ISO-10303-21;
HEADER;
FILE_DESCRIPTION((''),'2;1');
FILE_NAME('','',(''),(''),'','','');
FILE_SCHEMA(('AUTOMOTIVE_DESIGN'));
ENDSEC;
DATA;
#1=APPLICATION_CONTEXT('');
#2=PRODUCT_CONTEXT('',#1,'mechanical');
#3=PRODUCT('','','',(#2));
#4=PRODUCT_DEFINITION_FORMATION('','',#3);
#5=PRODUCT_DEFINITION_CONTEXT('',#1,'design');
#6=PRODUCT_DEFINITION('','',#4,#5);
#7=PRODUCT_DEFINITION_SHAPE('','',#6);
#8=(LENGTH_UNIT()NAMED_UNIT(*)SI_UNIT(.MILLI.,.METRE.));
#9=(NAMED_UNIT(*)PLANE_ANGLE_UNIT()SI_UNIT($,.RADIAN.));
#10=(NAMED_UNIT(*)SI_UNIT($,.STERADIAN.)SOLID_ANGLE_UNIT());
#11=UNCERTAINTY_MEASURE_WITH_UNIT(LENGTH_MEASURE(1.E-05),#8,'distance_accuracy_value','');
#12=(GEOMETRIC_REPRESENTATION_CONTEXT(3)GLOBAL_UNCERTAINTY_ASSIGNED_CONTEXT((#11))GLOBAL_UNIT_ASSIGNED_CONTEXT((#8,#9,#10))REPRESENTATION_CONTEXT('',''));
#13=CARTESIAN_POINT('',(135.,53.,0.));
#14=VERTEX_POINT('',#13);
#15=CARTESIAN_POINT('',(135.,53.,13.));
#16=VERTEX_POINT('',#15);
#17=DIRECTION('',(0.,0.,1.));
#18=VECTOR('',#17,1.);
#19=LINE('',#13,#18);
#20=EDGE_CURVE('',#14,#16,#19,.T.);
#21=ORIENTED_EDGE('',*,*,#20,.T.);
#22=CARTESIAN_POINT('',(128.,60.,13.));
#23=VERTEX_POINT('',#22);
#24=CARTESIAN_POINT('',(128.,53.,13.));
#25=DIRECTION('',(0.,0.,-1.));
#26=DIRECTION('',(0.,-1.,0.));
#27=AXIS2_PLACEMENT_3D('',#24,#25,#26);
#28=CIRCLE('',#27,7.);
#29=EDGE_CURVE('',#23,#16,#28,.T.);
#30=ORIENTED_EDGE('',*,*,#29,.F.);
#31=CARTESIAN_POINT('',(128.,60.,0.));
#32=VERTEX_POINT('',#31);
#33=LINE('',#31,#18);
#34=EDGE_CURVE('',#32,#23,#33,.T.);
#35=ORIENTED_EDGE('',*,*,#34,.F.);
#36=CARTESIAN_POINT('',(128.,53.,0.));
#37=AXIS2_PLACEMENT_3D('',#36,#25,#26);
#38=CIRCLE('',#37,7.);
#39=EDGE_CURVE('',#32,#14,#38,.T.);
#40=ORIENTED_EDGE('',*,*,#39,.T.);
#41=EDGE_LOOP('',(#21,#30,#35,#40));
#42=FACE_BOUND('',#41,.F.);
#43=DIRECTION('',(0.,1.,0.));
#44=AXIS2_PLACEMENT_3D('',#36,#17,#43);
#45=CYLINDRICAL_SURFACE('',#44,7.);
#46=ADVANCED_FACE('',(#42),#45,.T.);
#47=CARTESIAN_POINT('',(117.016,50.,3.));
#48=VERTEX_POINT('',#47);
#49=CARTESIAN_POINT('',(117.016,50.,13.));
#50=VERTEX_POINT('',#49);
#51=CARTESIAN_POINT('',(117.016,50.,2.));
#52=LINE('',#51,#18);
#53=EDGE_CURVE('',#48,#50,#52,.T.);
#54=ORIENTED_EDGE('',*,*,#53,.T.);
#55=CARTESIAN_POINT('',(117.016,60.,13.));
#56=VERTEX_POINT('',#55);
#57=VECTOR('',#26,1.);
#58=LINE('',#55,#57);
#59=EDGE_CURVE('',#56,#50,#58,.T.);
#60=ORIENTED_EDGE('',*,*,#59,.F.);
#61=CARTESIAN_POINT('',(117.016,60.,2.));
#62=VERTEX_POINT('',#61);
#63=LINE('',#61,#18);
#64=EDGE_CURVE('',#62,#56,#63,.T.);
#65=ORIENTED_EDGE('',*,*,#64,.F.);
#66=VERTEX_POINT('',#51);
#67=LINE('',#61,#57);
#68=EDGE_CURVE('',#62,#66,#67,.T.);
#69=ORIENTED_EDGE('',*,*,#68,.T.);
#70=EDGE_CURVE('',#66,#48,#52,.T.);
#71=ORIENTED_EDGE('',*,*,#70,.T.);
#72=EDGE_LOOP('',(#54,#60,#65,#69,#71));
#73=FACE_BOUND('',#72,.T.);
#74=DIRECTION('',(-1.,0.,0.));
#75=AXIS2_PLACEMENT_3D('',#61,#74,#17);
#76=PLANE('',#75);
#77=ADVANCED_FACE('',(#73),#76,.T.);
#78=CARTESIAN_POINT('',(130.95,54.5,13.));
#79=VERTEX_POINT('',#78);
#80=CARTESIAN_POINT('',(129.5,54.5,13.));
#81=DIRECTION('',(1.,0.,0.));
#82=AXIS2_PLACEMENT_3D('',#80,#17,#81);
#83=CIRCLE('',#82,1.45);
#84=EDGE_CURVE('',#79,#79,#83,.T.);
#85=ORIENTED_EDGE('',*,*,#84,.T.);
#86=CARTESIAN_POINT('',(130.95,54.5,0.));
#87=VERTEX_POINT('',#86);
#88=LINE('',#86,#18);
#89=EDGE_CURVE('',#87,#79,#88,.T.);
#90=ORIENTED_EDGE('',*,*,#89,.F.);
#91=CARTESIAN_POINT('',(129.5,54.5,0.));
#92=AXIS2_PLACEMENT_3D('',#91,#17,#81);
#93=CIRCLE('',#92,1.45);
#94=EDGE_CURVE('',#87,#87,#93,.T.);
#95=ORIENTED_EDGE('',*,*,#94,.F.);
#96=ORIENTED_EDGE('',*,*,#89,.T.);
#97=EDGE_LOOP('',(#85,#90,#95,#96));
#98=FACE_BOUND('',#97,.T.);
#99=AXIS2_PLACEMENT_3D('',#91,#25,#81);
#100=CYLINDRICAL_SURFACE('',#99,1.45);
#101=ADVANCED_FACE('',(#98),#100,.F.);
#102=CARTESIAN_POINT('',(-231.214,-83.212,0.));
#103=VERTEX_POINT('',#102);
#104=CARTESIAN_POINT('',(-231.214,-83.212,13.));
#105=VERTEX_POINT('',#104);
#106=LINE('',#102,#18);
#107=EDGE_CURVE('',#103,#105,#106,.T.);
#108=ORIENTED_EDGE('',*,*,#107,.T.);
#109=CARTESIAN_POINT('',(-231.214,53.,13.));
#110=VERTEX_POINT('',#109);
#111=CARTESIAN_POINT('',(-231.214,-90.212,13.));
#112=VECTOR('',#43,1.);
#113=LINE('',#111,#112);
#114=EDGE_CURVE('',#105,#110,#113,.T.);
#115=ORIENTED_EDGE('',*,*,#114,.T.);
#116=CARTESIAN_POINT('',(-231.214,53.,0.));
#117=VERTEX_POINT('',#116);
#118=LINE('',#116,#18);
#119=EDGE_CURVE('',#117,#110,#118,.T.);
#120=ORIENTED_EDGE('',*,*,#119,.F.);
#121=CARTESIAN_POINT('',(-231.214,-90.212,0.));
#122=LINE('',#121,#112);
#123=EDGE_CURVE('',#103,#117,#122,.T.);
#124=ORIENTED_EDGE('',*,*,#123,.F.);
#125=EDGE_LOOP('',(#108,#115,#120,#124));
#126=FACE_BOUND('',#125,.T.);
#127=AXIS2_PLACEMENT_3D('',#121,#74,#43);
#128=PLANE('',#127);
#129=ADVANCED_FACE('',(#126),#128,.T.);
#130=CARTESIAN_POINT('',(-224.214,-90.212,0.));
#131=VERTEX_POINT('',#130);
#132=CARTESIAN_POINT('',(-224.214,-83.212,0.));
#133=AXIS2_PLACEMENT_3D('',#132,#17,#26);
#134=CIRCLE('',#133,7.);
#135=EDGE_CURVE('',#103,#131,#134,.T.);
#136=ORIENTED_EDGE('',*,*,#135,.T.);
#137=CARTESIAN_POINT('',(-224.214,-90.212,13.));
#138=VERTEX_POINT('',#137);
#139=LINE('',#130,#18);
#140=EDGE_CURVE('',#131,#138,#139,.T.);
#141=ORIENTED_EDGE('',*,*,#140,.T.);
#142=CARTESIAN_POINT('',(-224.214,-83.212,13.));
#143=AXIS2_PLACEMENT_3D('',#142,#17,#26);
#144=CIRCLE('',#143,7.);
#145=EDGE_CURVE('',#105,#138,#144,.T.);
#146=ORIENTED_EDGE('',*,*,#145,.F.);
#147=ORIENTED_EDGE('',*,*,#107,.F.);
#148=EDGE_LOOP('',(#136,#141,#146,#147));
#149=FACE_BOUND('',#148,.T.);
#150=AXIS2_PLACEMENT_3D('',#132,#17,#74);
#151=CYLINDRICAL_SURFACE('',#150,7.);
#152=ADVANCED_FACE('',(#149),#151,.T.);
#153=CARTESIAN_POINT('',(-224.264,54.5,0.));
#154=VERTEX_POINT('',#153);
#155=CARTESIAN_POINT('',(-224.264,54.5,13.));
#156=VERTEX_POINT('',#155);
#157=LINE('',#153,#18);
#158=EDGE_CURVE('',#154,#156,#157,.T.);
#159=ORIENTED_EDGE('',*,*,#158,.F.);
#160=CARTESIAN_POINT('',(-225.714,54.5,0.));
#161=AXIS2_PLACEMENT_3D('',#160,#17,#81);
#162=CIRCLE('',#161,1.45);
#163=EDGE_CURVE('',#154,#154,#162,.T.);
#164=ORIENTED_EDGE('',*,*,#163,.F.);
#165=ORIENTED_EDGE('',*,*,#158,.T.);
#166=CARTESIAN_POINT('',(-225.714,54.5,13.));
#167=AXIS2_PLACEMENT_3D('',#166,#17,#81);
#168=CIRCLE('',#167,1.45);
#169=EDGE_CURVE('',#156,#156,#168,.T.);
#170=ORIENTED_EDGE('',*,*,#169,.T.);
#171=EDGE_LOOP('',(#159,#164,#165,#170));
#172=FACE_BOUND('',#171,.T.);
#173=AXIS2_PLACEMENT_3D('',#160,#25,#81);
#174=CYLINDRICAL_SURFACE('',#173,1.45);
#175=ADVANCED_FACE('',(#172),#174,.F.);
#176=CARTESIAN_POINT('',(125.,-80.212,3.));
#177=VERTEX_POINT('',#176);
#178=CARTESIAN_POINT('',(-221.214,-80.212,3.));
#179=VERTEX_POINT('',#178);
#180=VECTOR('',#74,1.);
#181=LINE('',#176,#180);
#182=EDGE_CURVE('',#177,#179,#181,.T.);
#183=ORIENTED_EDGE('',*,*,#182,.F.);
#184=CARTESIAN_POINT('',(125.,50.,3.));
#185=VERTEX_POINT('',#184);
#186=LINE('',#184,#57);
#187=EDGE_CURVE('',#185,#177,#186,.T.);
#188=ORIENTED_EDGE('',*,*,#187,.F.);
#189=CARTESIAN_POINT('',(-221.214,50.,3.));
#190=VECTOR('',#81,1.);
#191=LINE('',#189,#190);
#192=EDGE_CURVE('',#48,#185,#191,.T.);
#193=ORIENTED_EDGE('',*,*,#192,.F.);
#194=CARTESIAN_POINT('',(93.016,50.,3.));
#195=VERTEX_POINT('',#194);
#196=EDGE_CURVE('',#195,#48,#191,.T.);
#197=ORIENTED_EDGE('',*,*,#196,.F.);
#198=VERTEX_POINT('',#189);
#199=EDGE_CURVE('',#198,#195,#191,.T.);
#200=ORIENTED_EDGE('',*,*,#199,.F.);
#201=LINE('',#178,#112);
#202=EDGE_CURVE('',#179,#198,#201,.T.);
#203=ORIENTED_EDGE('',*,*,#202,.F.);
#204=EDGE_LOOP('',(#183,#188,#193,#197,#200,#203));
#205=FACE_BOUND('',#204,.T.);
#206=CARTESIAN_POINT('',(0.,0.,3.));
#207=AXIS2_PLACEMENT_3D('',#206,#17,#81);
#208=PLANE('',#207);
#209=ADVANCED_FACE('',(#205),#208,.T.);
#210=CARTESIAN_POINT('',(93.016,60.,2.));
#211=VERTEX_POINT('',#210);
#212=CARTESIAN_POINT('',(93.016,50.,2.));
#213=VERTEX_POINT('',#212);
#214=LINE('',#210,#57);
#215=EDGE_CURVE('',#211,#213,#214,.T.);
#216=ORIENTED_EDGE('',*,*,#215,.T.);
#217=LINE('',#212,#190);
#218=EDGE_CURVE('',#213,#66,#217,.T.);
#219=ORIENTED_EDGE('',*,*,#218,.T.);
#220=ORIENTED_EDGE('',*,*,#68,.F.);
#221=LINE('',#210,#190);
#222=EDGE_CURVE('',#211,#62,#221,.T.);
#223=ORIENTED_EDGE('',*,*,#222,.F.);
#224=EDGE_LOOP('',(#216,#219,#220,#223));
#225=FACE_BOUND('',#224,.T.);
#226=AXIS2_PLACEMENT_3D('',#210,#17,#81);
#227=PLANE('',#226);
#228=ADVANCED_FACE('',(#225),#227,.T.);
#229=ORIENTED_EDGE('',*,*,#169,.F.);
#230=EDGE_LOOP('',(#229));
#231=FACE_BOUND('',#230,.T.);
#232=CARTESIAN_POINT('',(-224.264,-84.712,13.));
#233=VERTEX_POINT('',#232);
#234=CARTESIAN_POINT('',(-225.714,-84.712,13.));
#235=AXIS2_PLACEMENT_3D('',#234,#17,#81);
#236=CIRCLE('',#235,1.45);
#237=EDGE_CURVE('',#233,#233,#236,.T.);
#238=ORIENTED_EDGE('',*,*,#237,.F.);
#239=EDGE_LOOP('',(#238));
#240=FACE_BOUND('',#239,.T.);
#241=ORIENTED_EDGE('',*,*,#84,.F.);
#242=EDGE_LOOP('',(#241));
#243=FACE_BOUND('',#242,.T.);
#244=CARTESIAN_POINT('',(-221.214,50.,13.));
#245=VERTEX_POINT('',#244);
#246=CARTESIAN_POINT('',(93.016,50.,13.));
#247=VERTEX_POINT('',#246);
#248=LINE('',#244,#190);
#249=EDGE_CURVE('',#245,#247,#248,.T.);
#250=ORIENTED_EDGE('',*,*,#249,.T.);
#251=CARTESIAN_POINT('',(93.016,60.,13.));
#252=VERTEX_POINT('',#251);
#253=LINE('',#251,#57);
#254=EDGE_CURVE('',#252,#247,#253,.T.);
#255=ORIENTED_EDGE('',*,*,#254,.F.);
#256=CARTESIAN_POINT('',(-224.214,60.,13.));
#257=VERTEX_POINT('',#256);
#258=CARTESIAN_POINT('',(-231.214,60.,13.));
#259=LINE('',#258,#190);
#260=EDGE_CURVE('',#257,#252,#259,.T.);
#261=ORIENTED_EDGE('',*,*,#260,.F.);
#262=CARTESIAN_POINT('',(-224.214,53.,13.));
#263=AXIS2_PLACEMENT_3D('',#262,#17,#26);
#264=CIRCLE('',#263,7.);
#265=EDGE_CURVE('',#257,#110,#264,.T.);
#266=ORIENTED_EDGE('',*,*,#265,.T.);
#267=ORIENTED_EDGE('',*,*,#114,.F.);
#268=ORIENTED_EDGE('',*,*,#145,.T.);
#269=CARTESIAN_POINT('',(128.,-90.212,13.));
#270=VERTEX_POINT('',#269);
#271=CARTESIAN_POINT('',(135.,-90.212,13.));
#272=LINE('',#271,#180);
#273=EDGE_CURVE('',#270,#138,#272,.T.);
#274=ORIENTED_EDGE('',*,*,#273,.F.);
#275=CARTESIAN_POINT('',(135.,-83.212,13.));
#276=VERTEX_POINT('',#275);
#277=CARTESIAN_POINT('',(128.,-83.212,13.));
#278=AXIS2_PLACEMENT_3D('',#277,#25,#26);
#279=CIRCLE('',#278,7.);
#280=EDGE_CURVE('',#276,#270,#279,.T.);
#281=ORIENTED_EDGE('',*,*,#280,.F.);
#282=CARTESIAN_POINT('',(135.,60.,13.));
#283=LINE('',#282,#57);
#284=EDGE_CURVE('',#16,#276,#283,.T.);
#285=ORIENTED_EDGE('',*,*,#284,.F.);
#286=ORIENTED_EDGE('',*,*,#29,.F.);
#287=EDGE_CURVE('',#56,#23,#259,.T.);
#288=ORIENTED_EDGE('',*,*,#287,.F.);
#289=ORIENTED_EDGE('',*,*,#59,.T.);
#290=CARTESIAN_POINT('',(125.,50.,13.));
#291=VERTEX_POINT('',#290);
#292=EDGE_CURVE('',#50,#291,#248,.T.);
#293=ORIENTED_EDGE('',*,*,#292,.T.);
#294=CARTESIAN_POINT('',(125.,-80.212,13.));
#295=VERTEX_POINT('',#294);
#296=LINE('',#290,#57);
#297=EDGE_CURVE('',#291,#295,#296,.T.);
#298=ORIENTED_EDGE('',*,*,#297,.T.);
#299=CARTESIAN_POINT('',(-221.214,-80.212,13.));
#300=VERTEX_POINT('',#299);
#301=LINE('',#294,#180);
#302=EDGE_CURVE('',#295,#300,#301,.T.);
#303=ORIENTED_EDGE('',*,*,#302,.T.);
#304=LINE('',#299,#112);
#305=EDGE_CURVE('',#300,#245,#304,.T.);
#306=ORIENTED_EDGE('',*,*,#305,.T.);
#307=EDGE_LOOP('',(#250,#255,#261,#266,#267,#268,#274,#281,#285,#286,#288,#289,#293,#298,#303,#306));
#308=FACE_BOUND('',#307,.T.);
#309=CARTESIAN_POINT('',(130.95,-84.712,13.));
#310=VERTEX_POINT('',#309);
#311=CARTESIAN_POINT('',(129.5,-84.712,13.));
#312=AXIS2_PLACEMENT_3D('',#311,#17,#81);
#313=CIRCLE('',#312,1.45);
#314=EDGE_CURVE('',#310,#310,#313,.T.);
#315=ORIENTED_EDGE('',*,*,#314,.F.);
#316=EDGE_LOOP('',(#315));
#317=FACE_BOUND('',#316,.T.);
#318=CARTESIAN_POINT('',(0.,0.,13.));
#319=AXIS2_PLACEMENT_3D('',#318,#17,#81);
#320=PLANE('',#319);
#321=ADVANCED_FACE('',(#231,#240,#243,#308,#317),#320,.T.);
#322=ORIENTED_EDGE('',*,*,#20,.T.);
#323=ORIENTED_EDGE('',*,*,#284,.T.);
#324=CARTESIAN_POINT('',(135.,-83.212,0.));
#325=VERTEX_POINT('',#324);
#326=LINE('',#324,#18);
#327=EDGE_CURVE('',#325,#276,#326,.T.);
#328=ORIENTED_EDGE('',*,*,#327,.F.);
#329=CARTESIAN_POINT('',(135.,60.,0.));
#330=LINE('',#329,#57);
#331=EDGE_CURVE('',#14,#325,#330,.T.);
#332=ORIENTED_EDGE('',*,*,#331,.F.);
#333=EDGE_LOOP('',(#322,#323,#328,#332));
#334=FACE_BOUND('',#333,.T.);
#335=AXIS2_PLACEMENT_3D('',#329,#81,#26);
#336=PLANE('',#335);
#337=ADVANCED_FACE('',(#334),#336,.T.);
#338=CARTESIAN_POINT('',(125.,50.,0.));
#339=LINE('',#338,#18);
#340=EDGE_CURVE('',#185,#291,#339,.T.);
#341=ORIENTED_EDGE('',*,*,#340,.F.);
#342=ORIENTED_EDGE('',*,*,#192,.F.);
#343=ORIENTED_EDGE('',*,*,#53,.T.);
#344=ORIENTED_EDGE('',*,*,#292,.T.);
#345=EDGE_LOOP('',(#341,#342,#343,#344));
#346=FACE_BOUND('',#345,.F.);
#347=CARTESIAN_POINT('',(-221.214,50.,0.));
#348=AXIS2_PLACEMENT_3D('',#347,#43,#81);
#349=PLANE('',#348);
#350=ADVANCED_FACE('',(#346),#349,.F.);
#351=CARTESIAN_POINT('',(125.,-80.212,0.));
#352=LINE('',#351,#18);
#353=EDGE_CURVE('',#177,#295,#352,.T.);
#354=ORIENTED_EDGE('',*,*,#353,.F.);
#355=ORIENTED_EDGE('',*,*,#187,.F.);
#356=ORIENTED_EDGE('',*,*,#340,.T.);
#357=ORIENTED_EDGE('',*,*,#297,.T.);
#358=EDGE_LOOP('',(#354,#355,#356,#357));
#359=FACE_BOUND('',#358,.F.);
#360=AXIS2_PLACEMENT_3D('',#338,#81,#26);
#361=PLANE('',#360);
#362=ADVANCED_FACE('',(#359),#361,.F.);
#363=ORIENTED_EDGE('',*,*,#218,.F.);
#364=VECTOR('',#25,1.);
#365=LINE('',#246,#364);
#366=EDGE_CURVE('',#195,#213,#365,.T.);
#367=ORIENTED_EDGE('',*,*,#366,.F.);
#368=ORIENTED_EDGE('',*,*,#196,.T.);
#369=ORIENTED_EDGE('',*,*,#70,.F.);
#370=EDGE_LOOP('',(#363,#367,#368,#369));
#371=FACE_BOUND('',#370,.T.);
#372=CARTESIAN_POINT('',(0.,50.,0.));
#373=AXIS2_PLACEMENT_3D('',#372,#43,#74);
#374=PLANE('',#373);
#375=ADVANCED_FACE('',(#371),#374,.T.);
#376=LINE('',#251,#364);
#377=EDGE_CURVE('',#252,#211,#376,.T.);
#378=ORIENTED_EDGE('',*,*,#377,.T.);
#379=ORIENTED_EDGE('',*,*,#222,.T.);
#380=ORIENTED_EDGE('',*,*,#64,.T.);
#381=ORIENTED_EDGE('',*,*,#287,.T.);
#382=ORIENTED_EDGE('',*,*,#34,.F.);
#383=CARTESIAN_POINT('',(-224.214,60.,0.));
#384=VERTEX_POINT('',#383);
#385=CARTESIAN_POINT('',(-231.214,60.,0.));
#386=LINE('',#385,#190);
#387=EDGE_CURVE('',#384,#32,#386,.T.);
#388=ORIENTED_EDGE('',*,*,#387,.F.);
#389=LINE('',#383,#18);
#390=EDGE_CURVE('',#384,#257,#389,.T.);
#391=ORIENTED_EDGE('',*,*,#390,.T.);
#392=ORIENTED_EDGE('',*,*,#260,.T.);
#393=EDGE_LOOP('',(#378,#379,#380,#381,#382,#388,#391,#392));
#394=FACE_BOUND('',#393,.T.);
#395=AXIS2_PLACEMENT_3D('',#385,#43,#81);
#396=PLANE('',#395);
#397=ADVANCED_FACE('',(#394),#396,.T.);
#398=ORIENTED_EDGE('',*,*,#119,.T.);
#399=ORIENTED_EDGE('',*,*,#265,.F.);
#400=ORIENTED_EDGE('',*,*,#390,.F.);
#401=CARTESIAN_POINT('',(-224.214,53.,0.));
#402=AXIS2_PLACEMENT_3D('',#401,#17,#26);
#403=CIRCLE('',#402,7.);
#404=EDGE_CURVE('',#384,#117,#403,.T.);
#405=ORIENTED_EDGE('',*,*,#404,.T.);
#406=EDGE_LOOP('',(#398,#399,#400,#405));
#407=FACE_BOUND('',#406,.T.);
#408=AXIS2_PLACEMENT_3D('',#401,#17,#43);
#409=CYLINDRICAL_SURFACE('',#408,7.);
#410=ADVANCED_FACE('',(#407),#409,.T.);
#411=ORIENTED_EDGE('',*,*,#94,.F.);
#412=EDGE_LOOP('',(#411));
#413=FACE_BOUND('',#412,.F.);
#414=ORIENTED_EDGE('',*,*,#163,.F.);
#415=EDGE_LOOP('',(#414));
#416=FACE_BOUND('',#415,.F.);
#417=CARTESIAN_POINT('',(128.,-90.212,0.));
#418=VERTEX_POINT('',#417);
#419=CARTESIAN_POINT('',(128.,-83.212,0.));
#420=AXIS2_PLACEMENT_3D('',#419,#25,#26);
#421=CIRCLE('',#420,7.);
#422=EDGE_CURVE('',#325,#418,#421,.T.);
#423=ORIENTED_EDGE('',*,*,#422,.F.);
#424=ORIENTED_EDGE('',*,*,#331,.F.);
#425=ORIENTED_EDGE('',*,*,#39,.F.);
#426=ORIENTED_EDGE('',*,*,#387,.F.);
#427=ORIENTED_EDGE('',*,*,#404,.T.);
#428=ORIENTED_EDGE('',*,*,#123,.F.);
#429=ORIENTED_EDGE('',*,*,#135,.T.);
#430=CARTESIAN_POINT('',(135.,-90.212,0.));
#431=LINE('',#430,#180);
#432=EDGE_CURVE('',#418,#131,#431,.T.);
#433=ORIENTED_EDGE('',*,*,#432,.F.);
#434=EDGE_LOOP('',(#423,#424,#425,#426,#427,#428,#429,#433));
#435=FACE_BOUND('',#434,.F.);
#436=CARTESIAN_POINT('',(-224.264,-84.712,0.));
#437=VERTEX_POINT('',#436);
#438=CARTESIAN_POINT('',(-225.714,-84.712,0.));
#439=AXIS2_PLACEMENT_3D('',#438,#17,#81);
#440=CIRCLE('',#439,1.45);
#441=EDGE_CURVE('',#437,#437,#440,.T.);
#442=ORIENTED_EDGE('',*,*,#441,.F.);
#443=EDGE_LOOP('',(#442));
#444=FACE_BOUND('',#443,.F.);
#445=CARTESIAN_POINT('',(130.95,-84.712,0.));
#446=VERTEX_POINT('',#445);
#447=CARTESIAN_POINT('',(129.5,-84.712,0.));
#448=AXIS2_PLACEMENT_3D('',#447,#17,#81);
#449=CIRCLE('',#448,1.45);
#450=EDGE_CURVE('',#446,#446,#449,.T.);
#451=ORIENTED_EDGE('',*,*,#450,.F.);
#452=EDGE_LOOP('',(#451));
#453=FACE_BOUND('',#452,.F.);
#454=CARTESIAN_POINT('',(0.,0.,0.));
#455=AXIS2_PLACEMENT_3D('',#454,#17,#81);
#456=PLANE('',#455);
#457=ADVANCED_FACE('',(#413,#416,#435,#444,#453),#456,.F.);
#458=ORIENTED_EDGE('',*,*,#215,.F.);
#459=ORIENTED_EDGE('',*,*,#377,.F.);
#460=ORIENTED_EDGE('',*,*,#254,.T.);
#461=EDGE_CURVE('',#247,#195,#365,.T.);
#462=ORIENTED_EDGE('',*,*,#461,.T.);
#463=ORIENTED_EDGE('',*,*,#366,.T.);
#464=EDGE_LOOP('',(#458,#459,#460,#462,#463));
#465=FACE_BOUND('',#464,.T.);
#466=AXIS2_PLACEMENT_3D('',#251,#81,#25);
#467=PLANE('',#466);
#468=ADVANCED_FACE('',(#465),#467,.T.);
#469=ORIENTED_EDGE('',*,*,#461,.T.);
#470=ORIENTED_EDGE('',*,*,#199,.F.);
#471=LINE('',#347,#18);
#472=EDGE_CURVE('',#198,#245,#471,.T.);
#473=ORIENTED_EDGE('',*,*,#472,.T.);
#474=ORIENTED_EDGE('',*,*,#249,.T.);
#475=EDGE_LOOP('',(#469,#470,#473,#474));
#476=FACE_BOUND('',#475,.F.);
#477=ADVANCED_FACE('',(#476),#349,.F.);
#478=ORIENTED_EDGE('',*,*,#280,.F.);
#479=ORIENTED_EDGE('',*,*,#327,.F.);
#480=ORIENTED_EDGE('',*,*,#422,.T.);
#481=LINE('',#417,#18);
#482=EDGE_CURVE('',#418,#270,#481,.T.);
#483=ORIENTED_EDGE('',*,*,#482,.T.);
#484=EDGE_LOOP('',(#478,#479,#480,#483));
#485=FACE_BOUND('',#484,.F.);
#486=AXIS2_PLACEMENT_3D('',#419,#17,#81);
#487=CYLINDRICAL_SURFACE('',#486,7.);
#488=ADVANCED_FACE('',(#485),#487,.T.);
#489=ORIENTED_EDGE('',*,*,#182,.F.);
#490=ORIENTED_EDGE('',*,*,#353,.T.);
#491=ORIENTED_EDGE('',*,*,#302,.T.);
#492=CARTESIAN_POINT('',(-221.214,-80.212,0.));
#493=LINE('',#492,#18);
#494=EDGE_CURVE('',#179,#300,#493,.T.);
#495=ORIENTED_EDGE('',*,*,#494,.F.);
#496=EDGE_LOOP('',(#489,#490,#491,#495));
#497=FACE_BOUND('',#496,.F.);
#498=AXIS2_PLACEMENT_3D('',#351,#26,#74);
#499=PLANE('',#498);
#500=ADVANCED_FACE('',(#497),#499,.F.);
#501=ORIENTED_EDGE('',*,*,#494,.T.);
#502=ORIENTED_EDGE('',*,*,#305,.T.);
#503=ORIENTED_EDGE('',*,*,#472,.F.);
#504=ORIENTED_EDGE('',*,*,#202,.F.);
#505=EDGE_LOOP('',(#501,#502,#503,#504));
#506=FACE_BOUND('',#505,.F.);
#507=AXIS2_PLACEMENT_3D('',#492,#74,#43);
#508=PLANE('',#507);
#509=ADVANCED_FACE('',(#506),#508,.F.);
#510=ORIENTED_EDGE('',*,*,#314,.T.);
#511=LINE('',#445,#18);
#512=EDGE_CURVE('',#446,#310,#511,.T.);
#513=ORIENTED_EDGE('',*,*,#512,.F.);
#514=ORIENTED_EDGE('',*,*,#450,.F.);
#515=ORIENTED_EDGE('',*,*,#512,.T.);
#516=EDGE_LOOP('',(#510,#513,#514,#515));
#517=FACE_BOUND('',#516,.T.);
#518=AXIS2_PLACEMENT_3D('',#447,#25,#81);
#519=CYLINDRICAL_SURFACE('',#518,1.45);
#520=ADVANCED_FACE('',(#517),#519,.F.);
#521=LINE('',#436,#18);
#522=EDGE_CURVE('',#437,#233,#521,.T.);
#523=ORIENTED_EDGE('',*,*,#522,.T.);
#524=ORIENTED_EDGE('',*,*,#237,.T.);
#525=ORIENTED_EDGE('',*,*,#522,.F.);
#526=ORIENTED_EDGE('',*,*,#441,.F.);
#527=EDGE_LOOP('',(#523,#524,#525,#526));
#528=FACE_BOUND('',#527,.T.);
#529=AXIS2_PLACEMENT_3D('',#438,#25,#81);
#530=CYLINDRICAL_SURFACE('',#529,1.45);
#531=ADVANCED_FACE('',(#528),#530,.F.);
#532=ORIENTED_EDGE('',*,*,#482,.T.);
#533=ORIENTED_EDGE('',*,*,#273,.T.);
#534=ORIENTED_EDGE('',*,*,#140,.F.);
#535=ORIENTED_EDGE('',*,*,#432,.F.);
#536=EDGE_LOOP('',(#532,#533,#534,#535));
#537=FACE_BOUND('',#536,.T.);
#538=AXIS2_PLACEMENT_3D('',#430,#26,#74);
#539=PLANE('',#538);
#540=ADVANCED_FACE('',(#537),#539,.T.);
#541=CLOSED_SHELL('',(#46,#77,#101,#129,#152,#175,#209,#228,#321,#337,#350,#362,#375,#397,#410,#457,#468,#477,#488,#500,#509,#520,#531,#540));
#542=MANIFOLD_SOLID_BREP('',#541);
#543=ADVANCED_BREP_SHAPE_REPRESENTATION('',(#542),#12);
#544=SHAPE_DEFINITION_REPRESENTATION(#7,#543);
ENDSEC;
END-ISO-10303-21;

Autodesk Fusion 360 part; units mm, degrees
sketch "Sketch1" plane through (0, 0, 0) normal (0, 0, 1) x (1, 0, 0)
  line L0 (-221.214, 50) -> (125, 50)
  line L1 (125, 50) -> (125, -80.212)
  line L2 (125, -80.212) -> (-221.214, -80.212)
  line L3 (-221.214, -80.212) -> (-221.214, 50)
  line L4 (-231.214, 60) -> (135, 60)
  line L5 (135, 60) -> (135, -90.212)
  line L6 (135, -90.212) -> (-231.214, -90.212)
  line L7 (-231.214, -90.212) -> (-231.214, 60)
  circle A0 centre (-225.714, 54.5) radius 1.45
  circle A1 centre (129.5, 54.5) radius 1.45
  circle A2 centre (129.5, -84.712) radius 1.45
  circle A3 centre (-225.714, -84.712) radius 1.45
  dimension "d1" = 130.212
  dimension "d2" = 346.214
  dimension "d3" = 10
  dimension "d4" = 10
  dimension "d5" = 10
  dimension "d6" = 10
  dimension "d15" = 2.9
  dimension "d16" = 5.5
  dimension "d17" = 5.5
  dimension "d18" = 2.9
  dimension "d19" = 5.5
  dimension "d20" = 5.5
  dimension "d21" = 2.9
  dimension "d22" = 5.5
  dimension "d23" = 5.5
  dimension "d24" = 2.9
  dimension "d25" = 5.5
  dimension "d26" = 5.5
extrude "Extrude1" add sketch "Sketch1" along normal blind 3 contours L0 L1 L2 L3
extrude "Extrude2" add sketch "Sketch1" along normal blind 13 contours L4 L5 L6 L7 | A0 | A1 | A2 | A3
sketch "Sketch3" plane through (0, 60, 0) normal (0, 1, 0) x (-1, 0, 0)
  line L0 (-135, 0) -> (231.214, 0)
  line L1 (231.214, 0) -> (231.214, 13)
  line L2 (231.214, 13) -> (-135, 13)
  line L3 (-135, 13) -> (-135, 0)
  line L4 (-117.016, 13) -> (-93.016, 13)
  line L5 (-93.016, 13) -> (-93.016, 2)
  line L6 (-93.016, 2) -> (-117.016, 2)
  line L7 (-117.016, 2) -> (-117.016, 13)
  dimension "d11" = 24
  dimension "d12" = 17.984
extrude "Extrude3" cut sketch "Sketch3" against normal blind 10 contours L2 L4 L5 L6 L7
extrude "Extrude4" cut sketch "Sketch1" along normal blind 13 contours A0 | A1 | A2 | A3
fillet "Fillet1" radius 7 4 edges at (135, -90.212, 6.5) (135, 60, 6.5) (-231.214, 60, 6.5) (-231.214, -90.212, 6.5)
